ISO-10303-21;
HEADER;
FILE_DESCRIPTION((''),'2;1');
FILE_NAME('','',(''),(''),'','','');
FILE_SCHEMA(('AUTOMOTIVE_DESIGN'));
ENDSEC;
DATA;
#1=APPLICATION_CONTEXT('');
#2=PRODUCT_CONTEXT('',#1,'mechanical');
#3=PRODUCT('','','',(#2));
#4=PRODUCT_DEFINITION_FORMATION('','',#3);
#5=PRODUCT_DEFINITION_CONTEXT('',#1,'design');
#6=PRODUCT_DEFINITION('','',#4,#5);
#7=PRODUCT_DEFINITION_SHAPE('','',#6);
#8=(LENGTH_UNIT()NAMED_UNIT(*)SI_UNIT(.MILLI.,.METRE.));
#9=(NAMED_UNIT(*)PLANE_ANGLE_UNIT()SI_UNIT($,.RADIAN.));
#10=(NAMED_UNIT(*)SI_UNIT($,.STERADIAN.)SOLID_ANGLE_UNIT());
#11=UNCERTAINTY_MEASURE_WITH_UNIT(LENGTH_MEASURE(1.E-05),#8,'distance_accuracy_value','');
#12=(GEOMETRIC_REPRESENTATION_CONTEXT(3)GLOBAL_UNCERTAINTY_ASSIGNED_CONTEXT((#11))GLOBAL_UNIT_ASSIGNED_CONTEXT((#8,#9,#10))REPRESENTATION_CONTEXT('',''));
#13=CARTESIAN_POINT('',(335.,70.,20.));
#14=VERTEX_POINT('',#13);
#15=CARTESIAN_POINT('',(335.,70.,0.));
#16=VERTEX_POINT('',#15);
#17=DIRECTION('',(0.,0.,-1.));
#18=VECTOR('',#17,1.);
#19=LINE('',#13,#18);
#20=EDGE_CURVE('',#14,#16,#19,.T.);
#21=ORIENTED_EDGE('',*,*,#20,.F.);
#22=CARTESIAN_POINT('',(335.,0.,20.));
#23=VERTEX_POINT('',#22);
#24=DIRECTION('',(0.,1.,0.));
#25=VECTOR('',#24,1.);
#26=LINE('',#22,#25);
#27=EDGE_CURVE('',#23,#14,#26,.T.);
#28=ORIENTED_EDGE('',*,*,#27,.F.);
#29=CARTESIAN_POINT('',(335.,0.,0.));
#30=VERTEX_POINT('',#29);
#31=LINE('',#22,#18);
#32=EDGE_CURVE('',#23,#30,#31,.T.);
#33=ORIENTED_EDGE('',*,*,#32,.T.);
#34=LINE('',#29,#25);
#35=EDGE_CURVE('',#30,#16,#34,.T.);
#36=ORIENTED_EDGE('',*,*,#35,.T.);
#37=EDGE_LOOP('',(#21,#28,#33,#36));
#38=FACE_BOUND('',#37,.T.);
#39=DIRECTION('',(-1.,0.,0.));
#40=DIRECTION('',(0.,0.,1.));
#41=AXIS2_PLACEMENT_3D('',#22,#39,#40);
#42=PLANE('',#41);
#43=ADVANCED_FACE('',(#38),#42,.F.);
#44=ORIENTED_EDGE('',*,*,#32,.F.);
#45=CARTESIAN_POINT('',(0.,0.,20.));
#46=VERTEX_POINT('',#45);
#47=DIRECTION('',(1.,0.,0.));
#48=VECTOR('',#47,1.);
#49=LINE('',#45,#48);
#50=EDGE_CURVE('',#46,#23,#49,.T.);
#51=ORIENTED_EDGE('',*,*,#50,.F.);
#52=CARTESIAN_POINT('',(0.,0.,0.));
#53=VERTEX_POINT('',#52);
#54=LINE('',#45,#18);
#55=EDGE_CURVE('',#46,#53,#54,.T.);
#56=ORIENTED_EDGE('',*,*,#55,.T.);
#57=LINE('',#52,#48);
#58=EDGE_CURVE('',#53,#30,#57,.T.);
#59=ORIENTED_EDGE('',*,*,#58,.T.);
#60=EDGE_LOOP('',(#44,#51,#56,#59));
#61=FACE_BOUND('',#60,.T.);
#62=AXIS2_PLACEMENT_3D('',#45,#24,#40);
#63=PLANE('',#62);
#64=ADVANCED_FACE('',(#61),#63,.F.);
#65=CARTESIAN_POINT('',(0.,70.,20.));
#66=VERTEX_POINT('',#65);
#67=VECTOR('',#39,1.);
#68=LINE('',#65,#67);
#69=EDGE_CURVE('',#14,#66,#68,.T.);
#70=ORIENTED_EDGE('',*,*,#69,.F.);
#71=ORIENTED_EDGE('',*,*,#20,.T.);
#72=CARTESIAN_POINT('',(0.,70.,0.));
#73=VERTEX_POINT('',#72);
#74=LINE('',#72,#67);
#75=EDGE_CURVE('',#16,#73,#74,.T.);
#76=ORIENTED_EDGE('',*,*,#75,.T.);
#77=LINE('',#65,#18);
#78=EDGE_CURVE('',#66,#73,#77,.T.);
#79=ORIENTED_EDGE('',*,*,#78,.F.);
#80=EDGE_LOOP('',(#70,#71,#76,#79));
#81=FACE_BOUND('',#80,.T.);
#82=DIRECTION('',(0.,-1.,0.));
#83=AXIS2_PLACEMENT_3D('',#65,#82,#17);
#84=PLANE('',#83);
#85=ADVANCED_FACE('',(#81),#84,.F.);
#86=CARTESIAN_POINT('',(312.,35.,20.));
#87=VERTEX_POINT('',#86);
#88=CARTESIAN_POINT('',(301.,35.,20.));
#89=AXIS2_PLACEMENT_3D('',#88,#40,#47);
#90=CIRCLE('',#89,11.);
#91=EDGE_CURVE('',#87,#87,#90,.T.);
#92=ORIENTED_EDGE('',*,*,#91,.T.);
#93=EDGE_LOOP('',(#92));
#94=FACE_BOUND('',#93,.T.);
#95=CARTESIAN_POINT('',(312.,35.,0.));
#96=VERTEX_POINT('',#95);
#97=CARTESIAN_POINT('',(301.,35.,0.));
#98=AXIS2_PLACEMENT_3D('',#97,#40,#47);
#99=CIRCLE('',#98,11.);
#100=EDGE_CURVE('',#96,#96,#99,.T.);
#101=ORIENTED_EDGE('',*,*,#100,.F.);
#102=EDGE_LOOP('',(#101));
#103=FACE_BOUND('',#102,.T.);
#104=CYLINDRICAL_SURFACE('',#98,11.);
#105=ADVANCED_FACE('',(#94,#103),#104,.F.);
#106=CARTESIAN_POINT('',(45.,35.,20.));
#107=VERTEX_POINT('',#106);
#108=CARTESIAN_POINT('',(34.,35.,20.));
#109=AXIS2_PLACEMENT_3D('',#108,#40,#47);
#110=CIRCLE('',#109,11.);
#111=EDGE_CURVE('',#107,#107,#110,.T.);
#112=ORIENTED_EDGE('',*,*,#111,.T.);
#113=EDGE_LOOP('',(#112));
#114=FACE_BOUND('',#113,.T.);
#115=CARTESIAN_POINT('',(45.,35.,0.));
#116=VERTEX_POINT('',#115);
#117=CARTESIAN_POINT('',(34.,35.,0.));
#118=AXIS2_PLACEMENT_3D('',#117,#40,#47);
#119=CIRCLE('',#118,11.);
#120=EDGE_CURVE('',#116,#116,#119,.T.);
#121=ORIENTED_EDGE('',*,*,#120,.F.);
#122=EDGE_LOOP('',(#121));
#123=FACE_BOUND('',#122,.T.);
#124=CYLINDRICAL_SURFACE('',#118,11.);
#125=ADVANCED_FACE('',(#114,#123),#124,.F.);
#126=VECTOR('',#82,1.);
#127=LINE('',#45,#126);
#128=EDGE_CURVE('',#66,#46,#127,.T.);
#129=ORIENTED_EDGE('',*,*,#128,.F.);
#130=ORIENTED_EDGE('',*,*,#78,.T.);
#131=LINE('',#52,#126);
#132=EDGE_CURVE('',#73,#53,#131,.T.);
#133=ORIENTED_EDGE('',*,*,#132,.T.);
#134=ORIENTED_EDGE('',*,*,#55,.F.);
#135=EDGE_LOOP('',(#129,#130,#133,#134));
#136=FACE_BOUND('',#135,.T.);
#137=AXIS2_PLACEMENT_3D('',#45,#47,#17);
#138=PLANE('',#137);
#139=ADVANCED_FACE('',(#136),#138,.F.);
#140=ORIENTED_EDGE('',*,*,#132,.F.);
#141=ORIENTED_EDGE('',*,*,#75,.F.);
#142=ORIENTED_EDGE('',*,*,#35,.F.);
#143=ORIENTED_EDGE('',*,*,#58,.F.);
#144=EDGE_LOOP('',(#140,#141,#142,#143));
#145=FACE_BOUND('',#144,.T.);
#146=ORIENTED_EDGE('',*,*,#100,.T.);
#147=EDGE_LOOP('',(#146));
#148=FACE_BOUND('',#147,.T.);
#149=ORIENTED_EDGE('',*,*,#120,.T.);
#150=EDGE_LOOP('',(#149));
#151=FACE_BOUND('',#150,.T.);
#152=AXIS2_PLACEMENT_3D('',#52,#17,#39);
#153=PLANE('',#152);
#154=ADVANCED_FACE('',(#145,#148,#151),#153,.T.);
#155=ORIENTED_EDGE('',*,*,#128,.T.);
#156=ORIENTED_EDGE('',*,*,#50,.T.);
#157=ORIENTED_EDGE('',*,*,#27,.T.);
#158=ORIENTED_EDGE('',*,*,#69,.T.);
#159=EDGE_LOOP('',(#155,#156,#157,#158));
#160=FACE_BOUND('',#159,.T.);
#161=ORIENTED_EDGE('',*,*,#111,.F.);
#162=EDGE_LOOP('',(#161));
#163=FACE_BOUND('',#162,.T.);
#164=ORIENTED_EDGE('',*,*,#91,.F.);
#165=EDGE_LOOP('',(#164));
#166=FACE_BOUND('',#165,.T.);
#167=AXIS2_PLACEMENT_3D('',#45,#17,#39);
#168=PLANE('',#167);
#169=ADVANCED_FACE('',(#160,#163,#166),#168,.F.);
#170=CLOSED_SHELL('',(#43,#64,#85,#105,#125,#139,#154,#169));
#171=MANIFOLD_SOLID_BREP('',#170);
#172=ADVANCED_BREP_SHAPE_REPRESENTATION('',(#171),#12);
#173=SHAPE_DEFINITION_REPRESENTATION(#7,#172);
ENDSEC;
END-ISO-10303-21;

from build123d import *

# Parameters (mm, degrees)
SKETCH_1_W          = 335
SKETCH_1_H          = 70
EXTRUDE_1_DEPTH     = 20
SKETCH_2_R          = 11
CUT_EXTRUDE_1_DEPTH = 343.819194328


with BuildPart() as part:
    # 草图1 → 凸台-拉伸1 (new body)
    with BuildSketch(Plane.XY):
        with Locations((167.5, 35)):
            Rectangle(SKETCH_1_W, SKETCH_1_H)
    extrude(amount=EXTRUDE_1_DEPTH)

    # 草图2 → 切除-拉伸1 (cut, through all)
    with BuildSketch(Plane.XY.offset(20)):
        with Locations((34, 35)):
            Circle(SKETCH_2_R)
        with Locations((301, 35)):
            Circle(SKETCH_2_R)
    extrude(amount=-CUT_EXTRUDE_1_DEPTH, mode=Mode.SUBTRACT)


solid = part.part
